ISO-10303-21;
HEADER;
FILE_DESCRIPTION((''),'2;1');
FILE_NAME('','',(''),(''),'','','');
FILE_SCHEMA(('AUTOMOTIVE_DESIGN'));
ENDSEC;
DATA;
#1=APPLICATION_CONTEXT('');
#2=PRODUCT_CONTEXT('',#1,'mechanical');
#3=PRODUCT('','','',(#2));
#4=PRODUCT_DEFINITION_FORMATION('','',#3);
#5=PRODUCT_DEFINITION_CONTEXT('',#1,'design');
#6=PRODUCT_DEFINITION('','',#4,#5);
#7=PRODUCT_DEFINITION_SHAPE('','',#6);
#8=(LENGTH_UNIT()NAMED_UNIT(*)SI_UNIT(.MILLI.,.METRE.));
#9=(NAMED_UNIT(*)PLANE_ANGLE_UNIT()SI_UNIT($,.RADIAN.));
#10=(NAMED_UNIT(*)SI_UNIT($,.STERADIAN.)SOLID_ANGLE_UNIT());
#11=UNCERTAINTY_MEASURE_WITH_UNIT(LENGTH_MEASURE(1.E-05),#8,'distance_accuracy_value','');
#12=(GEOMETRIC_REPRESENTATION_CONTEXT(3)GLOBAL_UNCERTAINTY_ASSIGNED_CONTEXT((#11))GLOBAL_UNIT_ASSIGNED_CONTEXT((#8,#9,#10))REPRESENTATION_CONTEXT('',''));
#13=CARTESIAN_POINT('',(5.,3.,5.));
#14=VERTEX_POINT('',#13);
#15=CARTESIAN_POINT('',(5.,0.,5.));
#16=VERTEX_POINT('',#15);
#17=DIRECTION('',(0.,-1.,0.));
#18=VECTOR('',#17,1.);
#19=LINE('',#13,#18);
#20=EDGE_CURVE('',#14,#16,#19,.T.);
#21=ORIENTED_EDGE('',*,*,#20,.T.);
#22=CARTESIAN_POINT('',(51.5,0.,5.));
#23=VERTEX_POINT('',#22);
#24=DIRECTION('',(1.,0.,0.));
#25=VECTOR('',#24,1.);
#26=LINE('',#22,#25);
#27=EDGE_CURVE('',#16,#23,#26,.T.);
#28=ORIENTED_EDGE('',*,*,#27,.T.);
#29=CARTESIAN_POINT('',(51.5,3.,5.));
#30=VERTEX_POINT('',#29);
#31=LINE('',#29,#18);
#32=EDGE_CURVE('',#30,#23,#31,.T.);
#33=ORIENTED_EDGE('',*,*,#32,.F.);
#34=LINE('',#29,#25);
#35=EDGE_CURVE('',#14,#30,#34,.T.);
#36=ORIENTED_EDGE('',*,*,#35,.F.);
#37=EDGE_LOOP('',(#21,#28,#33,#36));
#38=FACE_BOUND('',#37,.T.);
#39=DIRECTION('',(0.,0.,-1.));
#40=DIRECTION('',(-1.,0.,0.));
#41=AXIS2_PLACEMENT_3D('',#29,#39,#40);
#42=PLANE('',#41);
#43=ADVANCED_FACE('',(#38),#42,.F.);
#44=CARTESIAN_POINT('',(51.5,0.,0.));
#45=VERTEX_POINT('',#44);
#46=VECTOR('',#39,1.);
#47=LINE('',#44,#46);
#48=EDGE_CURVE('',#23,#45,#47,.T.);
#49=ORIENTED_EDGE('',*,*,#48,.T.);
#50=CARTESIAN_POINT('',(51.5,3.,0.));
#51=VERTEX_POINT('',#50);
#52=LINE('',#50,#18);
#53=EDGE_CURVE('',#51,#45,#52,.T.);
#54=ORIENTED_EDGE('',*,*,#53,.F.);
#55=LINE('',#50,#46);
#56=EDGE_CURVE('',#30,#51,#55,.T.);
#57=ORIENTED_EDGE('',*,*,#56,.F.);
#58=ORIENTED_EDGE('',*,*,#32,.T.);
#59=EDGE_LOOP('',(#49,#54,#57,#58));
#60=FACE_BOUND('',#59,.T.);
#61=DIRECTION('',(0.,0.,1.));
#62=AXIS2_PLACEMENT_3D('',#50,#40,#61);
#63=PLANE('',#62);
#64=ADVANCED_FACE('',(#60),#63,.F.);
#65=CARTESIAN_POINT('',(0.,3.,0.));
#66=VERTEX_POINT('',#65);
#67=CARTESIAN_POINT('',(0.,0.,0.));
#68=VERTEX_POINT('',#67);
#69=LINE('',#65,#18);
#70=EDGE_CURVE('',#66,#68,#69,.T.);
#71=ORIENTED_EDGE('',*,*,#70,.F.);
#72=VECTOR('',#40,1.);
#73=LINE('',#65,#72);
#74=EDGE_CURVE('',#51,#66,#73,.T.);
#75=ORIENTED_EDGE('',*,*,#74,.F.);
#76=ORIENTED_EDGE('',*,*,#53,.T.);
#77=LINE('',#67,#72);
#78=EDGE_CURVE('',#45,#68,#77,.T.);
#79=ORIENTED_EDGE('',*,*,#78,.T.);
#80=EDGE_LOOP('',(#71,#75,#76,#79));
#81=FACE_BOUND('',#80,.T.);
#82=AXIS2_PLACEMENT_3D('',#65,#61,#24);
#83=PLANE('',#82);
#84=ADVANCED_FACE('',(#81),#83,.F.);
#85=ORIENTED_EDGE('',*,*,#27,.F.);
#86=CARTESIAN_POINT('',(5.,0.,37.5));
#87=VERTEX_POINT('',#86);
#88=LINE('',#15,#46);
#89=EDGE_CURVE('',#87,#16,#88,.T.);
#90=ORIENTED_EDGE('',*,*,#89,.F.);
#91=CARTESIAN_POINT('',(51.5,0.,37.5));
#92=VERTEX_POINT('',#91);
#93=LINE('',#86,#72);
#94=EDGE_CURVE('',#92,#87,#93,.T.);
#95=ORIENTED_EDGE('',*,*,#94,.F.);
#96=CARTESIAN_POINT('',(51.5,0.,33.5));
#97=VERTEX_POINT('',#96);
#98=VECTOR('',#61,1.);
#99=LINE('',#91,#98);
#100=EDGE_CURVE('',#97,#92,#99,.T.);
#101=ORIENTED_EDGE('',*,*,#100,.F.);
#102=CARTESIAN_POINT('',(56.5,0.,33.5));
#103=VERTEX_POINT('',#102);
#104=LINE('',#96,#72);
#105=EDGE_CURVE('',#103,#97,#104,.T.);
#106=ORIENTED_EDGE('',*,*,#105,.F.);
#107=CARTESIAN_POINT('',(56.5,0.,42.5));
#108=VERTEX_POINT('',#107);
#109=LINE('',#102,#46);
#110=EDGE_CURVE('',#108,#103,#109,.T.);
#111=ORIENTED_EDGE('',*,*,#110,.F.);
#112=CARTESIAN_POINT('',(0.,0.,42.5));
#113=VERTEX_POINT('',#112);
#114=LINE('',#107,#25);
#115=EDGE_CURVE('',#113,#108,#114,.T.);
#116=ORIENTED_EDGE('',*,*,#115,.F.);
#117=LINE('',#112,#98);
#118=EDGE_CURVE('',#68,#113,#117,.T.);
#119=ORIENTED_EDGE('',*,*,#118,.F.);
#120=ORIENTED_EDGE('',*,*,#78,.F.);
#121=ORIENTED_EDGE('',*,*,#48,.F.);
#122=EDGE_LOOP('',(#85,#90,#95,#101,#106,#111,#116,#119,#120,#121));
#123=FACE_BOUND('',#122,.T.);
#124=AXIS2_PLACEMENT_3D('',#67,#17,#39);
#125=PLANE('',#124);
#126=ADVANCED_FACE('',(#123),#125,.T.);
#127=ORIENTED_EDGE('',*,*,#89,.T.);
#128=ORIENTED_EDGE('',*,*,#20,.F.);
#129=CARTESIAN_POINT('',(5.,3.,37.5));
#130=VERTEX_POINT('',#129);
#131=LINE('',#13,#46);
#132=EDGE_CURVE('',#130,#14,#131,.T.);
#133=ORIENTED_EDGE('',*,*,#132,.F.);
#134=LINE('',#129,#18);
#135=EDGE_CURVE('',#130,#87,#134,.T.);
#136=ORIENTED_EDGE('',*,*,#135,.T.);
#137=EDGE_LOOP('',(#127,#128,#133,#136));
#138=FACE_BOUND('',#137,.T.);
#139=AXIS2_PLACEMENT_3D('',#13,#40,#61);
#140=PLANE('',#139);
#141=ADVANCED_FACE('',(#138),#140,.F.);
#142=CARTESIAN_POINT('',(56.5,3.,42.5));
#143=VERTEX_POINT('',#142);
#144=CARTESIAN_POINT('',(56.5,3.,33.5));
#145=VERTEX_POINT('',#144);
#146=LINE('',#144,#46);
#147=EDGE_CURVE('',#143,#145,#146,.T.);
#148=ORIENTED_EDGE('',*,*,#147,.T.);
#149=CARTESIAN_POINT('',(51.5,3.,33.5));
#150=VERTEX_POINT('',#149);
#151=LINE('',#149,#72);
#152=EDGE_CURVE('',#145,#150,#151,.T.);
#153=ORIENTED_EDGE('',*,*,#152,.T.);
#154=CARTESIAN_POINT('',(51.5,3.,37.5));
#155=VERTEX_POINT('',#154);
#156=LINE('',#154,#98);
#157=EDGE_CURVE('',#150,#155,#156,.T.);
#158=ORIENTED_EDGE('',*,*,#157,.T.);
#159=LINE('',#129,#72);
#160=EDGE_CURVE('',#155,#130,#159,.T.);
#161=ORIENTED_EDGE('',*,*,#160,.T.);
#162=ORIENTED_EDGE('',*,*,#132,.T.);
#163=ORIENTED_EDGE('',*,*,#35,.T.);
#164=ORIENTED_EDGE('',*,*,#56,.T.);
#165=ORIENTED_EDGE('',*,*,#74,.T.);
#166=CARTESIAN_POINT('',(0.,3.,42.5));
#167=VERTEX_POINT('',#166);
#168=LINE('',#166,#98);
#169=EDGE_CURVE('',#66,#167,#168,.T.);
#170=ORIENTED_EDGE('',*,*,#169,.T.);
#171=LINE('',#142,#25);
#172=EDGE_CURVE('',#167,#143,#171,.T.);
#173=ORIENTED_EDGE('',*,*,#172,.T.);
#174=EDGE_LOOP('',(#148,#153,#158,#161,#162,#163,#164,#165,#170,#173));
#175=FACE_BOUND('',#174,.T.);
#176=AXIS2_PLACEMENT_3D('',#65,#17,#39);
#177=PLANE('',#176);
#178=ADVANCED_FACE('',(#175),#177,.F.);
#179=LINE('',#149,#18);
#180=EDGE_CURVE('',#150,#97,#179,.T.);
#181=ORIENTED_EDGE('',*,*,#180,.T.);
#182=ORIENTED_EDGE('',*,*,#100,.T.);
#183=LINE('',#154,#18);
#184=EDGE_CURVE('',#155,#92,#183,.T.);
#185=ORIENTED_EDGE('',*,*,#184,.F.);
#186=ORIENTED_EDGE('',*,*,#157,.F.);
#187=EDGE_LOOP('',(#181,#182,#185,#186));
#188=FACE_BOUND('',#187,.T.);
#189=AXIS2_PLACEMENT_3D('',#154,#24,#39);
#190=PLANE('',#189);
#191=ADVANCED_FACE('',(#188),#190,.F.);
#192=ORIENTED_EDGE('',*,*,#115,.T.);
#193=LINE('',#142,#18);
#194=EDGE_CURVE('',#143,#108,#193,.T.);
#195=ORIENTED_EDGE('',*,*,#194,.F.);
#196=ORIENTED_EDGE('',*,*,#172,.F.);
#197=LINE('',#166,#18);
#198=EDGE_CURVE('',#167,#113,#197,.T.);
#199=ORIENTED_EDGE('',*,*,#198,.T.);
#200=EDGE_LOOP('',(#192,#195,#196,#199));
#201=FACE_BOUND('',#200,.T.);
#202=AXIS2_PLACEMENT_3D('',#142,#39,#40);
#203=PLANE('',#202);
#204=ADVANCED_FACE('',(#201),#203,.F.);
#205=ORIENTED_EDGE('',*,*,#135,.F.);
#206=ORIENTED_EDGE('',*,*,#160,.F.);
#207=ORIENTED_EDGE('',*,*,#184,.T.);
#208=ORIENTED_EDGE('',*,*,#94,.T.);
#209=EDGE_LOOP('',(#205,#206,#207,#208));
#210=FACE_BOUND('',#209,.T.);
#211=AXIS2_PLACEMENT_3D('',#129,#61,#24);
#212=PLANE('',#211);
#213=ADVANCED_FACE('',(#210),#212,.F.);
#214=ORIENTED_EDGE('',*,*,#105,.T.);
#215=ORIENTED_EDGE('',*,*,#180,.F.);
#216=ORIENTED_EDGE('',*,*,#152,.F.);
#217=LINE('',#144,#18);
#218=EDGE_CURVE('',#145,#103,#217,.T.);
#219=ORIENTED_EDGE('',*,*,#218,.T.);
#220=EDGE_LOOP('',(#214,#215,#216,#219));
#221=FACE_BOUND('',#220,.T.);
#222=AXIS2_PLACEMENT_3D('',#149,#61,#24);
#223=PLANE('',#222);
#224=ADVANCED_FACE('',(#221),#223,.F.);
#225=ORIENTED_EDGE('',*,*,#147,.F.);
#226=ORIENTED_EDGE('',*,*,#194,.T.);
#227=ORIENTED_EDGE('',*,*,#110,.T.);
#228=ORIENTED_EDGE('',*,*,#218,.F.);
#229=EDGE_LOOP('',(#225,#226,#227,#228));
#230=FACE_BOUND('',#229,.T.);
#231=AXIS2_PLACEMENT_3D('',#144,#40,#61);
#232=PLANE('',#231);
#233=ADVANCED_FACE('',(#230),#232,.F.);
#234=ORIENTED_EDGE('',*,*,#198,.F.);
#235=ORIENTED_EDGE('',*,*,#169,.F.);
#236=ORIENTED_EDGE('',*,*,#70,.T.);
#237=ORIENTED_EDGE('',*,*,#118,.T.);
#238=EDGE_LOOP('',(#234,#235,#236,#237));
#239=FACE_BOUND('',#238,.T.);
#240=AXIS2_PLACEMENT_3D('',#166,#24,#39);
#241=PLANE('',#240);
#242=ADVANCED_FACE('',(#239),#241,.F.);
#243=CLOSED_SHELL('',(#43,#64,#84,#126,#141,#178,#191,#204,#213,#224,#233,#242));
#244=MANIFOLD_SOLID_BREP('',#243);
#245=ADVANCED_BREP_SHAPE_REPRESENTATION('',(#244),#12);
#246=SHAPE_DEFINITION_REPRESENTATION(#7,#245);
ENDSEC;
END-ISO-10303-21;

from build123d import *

# Parameters (mm, degrees)
BOSS_EXTRUDE1_DEPTH = 3


with BuildPart() as part:
    # Sketch1 → Boss-Extrude1 (new body)
    with BuildSketch(Plane(origin=(0, 0, 0), x_dir=(1, 0, 0), z_dir=(0, 1, 0))):
        Polygon((0, 0), (51.5, 0), (51.5, -5), (5, -5), (5, -37.5), (51.5, -37.5), (51.5, -33.5), (56.5, -33.5), (56.5, -42.5), (0, -42.5), align=None)
    extrude(amount=BOSS_EXTRUDE1_DEPTH)


solid = part.part
